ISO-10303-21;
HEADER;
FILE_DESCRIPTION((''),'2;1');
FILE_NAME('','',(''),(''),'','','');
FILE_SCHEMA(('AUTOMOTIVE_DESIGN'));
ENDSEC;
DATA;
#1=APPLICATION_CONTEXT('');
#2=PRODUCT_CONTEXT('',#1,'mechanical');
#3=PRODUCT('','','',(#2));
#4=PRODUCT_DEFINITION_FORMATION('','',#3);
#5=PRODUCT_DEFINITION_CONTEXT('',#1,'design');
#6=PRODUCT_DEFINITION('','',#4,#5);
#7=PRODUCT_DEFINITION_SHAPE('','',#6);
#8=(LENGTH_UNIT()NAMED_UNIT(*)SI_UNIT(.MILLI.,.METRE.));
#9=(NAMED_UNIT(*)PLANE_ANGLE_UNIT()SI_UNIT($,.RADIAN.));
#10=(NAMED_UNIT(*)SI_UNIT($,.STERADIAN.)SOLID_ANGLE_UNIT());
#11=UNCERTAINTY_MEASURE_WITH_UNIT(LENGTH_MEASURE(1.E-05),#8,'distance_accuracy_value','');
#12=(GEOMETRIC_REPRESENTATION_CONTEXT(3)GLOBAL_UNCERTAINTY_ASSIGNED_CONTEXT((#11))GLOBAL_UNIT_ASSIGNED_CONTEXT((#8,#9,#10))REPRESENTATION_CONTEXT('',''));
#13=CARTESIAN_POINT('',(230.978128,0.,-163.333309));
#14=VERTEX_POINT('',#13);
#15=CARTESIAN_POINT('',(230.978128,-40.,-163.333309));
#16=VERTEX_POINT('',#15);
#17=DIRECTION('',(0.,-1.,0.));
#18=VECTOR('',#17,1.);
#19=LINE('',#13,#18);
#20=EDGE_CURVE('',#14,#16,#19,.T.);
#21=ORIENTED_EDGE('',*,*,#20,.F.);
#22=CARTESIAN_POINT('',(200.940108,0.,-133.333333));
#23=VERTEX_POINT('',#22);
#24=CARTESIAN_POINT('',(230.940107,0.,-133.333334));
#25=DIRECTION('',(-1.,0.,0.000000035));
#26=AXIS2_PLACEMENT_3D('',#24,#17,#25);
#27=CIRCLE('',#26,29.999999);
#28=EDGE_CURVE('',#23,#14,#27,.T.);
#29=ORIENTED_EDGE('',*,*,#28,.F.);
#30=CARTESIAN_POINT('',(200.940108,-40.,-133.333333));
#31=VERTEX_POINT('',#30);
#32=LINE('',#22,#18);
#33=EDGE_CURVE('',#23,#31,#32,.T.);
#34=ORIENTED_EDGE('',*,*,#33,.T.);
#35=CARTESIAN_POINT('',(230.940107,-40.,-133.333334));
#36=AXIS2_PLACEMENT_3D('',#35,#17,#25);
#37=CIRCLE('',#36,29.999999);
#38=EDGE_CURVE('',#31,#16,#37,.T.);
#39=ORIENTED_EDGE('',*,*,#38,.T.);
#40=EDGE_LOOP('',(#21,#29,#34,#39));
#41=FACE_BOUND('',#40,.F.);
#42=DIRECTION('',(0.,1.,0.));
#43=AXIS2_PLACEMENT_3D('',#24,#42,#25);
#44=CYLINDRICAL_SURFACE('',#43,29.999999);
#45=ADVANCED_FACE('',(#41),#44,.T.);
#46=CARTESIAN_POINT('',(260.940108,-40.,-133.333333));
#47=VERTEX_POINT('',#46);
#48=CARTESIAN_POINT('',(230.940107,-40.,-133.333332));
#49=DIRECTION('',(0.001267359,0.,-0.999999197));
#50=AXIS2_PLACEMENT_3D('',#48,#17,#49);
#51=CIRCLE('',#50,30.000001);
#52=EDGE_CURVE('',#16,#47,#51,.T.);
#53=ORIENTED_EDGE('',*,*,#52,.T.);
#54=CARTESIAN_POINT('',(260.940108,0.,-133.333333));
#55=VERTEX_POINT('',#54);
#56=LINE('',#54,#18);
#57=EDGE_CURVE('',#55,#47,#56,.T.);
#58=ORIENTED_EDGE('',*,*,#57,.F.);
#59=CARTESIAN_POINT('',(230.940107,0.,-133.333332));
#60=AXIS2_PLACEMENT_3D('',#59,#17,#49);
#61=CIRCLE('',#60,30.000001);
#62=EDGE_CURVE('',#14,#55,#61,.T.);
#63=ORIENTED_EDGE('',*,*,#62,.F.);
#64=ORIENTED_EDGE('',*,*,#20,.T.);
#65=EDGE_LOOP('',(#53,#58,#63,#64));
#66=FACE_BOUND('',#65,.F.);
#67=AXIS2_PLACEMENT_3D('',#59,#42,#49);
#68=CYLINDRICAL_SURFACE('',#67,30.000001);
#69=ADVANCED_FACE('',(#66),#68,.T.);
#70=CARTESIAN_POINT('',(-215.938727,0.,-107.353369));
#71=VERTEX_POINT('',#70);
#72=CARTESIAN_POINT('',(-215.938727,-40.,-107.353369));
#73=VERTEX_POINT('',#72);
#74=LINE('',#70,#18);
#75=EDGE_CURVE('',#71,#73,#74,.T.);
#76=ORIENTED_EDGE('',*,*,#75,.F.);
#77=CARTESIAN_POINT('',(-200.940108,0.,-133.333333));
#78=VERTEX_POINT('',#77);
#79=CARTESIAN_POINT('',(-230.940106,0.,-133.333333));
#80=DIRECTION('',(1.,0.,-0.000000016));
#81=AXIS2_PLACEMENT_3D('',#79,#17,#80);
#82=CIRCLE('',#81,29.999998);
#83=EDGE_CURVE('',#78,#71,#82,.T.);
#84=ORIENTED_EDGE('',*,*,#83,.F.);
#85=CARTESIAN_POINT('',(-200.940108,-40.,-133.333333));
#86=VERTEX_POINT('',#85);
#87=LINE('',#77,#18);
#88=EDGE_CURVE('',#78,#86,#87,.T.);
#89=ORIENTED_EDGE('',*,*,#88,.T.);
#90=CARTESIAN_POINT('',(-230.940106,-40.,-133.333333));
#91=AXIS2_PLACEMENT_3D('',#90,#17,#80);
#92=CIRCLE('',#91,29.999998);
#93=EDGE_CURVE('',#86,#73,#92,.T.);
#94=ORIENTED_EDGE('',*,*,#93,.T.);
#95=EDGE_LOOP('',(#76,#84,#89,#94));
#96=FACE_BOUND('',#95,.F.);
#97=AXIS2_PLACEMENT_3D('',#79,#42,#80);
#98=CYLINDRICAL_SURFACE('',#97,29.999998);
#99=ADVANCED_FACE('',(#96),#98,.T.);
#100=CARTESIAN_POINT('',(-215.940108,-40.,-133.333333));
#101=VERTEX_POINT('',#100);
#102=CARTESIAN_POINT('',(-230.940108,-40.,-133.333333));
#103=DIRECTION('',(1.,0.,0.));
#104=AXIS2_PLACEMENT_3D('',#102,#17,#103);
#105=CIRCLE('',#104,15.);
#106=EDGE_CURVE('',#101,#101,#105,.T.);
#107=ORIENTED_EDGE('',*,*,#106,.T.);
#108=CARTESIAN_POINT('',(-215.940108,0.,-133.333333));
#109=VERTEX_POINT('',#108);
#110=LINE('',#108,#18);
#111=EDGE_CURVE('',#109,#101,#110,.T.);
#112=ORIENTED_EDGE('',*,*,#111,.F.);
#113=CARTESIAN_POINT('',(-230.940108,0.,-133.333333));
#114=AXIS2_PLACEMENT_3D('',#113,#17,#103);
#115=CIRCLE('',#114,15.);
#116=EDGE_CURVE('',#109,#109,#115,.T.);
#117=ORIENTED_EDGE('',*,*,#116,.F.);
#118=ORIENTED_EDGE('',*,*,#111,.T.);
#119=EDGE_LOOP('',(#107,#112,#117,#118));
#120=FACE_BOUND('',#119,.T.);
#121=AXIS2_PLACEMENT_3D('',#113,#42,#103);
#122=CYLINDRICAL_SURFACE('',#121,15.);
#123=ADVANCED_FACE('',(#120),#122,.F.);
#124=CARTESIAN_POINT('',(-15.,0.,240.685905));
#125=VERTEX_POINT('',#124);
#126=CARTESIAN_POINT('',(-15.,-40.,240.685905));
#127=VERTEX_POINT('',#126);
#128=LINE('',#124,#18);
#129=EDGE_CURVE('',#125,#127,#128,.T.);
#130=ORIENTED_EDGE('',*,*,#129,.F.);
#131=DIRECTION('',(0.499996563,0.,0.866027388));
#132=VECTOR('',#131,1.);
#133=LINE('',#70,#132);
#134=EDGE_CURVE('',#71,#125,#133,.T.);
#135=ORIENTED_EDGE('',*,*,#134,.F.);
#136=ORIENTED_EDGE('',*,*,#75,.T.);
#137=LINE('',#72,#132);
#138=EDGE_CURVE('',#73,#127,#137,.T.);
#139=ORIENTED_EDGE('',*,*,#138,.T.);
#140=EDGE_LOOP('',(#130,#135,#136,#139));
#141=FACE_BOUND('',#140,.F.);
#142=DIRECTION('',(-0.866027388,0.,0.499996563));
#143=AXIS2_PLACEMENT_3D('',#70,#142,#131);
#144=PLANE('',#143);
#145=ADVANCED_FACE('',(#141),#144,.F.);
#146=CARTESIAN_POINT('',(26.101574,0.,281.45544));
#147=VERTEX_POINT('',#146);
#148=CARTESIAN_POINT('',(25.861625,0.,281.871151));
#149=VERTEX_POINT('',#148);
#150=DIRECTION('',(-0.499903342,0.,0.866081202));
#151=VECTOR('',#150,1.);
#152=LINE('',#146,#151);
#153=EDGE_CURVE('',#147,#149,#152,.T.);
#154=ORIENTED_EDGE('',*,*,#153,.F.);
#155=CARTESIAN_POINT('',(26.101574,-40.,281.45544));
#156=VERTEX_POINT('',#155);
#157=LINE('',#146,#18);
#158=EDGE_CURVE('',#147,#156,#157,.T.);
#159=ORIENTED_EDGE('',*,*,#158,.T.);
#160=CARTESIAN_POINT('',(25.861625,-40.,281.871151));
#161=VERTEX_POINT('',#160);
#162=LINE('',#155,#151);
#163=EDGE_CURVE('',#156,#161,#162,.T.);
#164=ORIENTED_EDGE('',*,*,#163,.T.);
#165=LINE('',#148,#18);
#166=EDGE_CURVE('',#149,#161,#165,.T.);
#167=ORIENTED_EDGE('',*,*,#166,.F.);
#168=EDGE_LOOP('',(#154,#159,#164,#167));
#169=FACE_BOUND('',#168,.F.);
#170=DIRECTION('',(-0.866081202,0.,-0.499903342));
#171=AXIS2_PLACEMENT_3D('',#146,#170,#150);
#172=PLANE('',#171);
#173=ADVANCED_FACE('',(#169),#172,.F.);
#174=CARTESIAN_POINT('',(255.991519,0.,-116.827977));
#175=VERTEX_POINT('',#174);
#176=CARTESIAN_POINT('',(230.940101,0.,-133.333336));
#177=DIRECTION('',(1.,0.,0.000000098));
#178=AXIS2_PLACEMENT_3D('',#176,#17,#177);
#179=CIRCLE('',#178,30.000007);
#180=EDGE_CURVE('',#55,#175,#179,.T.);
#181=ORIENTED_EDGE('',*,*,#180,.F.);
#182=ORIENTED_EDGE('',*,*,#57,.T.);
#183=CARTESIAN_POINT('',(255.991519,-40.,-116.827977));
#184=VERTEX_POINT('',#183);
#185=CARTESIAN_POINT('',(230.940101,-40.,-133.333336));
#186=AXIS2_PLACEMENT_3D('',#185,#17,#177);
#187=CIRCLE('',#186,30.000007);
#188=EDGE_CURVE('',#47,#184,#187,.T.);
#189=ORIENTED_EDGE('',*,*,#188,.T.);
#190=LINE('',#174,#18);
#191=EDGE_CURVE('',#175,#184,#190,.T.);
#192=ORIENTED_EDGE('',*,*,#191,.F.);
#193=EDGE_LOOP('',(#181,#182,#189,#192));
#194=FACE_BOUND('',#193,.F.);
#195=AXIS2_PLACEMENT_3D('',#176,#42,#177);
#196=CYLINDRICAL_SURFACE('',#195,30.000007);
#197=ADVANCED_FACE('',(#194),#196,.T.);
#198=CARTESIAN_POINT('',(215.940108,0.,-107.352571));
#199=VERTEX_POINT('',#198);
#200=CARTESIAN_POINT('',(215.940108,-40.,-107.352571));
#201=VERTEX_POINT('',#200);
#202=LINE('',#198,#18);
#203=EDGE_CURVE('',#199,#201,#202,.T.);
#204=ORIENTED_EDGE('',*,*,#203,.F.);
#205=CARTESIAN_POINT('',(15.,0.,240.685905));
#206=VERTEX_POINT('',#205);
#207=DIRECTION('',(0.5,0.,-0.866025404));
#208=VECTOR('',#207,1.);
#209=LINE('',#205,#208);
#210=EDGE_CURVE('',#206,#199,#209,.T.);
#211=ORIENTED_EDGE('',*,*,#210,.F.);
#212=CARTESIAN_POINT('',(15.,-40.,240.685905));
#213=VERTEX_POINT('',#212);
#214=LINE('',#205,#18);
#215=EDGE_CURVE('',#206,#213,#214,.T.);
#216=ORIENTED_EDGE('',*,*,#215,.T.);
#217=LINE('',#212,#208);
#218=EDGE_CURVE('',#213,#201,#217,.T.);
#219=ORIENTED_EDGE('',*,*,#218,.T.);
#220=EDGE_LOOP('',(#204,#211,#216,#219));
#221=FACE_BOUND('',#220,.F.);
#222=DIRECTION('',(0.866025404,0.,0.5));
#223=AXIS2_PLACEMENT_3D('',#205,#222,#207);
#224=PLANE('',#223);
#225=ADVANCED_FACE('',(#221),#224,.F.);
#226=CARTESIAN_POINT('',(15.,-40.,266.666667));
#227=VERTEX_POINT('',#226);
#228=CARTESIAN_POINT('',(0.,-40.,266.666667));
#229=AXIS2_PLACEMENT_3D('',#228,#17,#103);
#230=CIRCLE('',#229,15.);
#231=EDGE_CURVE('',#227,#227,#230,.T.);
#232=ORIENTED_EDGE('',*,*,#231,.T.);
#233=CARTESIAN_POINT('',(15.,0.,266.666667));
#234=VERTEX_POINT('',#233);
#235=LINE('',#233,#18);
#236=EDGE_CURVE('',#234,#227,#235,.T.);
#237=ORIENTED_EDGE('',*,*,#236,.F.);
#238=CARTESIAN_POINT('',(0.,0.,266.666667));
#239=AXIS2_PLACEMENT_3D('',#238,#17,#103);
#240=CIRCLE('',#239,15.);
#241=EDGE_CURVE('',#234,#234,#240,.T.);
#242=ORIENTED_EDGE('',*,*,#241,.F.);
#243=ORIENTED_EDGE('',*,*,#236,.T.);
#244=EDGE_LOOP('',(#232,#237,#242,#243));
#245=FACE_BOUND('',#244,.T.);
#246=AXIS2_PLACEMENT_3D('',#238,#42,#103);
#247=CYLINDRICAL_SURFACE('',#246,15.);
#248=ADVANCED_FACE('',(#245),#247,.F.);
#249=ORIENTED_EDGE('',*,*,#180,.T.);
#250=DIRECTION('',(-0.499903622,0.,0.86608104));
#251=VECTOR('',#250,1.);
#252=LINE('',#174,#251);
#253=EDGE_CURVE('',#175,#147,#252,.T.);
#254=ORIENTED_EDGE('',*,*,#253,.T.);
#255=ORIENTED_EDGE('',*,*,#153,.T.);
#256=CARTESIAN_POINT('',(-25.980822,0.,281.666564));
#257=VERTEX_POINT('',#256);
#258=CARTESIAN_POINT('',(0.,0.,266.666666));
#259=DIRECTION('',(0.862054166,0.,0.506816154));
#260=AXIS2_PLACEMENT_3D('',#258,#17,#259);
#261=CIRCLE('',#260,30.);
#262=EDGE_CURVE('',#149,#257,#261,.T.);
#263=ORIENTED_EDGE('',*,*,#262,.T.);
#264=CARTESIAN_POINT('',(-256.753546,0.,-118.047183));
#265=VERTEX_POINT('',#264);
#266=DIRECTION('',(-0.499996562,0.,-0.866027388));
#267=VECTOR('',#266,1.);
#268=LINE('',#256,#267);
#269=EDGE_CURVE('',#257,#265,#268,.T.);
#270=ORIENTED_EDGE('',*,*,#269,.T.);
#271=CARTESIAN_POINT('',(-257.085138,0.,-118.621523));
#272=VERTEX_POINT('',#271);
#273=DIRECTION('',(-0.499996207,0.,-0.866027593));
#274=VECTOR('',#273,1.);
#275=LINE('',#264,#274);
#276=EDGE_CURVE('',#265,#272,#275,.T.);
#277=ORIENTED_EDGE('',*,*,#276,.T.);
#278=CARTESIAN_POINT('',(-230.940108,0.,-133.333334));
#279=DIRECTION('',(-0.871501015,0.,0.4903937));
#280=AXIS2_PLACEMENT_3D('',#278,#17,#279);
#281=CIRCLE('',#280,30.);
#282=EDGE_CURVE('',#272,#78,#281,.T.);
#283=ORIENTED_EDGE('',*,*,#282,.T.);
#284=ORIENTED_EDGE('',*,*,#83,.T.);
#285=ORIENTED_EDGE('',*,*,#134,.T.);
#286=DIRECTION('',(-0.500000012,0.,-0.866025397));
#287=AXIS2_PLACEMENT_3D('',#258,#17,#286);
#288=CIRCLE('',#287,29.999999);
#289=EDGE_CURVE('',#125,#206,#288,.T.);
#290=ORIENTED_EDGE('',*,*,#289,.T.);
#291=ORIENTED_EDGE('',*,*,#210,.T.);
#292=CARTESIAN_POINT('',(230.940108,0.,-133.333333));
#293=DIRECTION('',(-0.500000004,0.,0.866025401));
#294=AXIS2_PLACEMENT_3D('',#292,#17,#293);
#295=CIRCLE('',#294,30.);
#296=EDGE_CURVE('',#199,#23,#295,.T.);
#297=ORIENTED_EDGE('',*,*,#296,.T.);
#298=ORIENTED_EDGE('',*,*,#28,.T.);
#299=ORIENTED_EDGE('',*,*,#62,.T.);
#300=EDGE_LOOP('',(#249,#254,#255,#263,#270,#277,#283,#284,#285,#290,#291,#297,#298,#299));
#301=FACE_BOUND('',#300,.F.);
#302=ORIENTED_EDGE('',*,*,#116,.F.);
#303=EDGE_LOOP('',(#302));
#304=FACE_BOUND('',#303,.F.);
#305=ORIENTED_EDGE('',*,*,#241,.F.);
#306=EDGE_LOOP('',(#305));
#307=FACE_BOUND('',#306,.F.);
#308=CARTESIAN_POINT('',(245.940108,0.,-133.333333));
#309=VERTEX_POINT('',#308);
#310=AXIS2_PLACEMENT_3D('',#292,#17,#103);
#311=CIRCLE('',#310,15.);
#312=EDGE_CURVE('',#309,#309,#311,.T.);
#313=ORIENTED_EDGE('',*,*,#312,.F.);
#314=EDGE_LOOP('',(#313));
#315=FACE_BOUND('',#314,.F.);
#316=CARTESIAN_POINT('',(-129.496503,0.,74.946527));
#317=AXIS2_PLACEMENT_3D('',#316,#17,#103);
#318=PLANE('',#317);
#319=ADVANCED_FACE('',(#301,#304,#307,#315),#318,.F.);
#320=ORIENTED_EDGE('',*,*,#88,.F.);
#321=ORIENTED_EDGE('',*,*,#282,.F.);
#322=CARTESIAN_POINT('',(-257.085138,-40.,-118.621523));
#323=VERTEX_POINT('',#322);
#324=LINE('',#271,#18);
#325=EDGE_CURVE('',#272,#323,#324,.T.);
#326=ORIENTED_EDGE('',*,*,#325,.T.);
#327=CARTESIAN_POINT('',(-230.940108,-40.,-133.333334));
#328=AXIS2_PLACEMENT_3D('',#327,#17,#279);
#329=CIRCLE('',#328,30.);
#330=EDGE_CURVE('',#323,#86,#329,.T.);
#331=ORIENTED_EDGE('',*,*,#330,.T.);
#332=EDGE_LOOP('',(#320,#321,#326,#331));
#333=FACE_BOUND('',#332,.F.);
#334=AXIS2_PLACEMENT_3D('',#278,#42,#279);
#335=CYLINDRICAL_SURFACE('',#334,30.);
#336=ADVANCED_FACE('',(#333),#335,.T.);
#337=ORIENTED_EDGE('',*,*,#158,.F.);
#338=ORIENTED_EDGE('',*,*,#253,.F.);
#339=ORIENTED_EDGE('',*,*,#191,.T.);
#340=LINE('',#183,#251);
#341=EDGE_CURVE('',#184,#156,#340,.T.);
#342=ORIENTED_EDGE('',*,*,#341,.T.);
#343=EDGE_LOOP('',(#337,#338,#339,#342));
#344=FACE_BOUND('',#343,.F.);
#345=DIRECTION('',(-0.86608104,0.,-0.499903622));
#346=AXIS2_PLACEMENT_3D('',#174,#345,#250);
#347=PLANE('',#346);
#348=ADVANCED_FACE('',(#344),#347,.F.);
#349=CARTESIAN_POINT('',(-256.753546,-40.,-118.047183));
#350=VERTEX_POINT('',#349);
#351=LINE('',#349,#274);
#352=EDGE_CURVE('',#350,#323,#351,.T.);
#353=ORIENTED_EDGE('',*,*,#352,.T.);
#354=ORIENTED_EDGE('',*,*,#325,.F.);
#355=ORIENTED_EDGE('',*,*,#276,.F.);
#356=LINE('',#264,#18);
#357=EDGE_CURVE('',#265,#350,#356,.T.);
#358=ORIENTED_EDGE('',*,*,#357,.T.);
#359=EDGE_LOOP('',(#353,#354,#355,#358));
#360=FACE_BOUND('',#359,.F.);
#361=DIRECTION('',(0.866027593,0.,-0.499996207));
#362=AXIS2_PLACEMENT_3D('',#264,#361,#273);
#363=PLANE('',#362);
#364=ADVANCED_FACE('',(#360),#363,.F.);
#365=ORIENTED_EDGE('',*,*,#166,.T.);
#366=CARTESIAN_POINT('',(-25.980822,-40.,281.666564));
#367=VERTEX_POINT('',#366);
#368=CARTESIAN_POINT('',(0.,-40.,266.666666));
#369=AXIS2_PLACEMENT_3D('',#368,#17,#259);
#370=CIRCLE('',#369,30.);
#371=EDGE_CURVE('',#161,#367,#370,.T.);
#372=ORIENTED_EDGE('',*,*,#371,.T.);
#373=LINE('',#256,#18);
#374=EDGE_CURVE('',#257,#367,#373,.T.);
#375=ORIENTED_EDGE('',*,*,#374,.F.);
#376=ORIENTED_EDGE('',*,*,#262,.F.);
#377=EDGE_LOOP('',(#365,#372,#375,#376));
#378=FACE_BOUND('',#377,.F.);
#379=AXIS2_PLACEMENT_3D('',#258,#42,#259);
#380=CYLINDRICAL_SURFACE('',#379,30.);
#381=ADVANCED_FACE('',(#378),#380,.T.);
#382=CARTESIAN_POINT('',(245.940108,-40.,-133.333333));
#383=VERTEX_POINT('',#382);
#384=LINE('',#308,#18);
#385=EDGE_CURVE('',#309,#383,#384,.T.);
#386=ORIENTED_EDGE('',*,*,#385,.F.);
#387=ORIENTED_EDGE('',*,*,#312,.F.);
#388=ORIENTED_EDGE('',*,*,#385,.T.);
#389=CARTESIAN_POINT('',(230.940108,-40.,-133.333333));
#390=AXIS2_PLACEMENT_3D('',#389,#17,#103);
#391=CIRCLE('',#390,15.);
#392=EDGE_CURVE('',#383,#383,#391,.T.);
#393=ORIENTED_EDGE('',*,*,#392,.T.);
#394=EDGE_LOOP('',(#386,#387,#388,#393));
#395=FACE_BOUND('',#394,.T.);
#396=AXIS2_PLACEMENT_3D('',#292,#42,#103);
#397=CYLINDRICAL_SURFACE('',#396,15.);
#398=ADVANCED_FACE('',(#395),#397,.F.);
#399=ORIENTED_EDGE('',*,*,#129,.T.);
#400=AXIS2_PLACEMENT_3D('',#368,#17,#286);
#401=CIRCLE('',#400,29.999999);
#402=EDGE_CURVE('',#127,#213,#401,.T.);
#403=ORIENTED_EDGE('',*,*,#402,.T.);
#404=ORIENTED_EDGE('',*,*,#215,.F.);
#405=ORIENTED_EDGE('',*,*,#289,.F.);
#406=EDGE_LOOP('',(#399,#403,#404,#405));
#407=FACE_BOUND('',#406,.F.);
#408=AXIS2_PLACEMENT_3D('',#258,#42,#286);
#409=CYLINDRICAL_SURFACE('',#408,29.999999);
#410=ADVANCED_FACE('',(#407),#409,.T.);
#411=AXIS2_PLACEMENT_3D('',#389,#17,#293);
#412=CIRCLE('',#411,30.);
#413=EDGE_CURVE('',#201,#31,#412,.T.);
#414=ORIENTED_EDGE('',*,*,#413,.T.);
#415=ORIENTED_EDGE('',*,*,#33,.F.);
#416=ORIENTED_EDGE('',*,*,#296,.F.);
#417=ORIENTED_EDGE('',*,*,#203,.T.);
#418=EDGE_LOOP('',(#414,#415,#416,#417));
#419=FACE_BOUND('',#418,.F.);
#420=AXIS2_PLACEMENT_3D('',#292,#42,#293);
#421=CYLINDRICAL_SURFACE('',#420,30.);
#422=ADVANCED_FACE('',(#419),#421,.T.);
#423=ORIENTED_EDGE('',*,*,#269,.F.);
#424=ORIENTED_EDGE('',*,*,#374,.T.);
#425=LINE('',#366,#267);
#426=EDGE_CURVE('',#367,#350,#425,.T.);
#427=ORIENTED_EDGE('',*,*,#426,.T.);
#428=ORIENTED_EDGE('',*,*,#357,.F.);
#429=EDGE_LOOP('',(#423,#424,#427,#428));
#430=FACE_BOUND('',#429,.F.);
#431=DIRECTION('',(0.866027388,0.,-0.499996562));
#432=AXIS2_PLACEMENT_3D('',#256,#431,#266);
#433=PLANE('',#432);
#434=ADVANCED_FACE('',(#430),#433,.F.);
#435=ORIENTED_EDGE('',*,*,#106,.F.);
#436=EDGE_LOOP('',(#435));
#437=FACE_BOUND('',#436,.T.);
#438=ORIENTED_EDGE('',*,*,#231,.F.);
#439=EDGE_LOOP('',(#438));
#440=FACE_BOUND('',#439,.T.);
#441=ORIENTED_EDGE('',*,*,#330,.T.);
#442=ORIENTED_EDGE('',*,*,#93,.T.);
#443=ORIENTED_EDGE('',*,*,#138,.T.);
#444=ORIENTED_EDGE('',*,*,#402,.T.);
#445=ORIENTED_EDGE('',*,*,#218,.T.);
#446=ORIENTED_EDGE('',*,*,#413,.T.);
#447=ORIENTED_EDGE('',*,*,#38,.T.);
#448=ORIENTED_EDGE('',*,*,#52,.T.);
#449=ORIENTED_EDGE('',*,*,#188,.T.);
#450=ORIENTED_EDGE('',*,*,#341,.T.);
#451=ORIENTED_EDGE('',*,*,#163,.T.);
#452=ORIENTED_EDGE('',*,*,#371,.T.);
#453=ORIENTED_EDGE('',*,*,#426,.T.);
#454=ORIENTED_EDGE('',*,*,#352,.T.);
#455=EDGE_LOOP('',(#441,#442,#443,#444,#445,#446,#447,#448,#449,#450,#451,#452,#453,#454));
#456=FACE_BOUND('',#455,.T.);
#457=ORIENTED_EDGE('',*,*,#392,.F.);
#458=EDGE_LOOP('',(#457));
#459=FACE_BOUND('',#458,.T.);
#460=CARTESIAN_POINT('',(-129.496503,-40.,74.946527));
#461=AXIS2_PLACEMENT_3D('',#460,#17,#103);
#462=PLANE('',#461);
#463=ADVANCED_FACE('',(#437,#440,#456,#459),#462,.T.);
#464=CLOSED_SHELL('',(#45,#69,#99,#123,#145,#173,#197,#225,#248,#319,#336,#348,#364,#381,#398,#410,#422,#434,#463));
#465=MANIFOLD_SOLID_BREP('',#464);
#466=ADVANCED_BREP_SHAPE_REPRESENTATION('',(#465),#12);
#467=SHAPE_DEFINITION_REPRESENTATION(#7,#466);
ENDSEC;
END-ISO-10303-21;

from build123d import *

# Parameters (mm, degrees)
F0_R     = 15
F1_DEPTH = 40


with BuildPart() as f1:
    # F0 (on Front) → F1 (new body)
    with BuildSketch(Plane.XZ):
        with BuildLine():
            ThreePointArc((-256.753546, -118.047183), (-238.543696, -104.312902), (-215.938727, -107.353369))
            Line((-215.938727, -107.353369), (-15, 240.685905))
            ThreePointArc((-15, 240.685905), (-28.977759, 258.902038), (-25.980822, 281.666564))
            Line((-25.980822, 281.666564), (-256.753546, -118.047183))
        make_face()
        with BuildLine():
            ThreePointArc((-257.085138, -118.621523), (-238.544353, -162.353593), (-200.940108, -133.333333))
            ThreePointArc((-200.940108, -133.333333), (-204.958947, -118.334024), (-215.938727, -107.353369))
            ThreePointArc((-215.938727, -107.353369), (-238.543696, -104.312902), (-256.753546, -118.047183))
            Line((-256.753546, -118.047183), (-257.085138, -118.621523))
        make_face()
        with Locations((-230.940108, -133.333333)):
            Circle(F0_R, mode=Mode.SUBTRACT)
        with BuildLine():
            ThreePointArc((-25.980822, 281.666564), (-28.977759, 258.902038), (-15, 240.685905))
            ThreePointArc((-15, 240.685905), (0, 236.666667), (15, 240.685905))
            ThreePointArc((15, 240.685905), (25.980762, 251.666667), (30, 266.666667))
            ThreePointArc((30, 266.666667), (29.009026, 274.313652), (26.101574, 281.45544))
            Line((26.101574, 281.45544), (25.861625, 281.871151))
            ThreePointArc((25.861625, 281.871151), (-0.118389, 296.666433), (-25.980822, 281.666564))
        make_face()
        with Locations((0, 266.666667)):
            Circle(F0_R, mode=Mode.SUBTRACT)
        with BuildLine():
            Line((15, 240.685905), (215.940108, -107.352571))
            ThreePointArc((215.940108, -107.352571), (237.846883, -104.139217), (255.991519, -116.827977))
            Line((255.991519, -116.827977), (26.101574, 281.45544))
            ThreePointArc((26.101574, 281.45544), (29.009026, 274.313652), (30, 266.666667))
            ThreePointArc((30, 266.666667), (25.980762, 251.666667), (15, 240.685905))
        make_face()
        with BuildLine():
            ThreePointArc((215.940108, -107.352571), (204.959346, -118.333333), (200.940108, -133.333333))
            ThreePointArc((200.940108, -133.333333), (209.740351, -154.559975), (230.978128, -163.333309))
            ThreePointArc((230.978128, -163.333309), (252.166749, -154.53309), (260.940108, -133.333333))
            ThreePointArc((260.940108, -133.333333), (259.676342, -124.717718), (255.991519, -116.827977))
            ThreePointArc((255.991519, -116.827977), (237.846883, -104.139217), (215.940108, -107.352571))
        make_face()
        with Locations((230.940108, -133.333333)):
            Circle(F0_R, mode=Mode.SUBTRACT)
    extrude(amount=F1_DEPTH)


solid = f1.part
